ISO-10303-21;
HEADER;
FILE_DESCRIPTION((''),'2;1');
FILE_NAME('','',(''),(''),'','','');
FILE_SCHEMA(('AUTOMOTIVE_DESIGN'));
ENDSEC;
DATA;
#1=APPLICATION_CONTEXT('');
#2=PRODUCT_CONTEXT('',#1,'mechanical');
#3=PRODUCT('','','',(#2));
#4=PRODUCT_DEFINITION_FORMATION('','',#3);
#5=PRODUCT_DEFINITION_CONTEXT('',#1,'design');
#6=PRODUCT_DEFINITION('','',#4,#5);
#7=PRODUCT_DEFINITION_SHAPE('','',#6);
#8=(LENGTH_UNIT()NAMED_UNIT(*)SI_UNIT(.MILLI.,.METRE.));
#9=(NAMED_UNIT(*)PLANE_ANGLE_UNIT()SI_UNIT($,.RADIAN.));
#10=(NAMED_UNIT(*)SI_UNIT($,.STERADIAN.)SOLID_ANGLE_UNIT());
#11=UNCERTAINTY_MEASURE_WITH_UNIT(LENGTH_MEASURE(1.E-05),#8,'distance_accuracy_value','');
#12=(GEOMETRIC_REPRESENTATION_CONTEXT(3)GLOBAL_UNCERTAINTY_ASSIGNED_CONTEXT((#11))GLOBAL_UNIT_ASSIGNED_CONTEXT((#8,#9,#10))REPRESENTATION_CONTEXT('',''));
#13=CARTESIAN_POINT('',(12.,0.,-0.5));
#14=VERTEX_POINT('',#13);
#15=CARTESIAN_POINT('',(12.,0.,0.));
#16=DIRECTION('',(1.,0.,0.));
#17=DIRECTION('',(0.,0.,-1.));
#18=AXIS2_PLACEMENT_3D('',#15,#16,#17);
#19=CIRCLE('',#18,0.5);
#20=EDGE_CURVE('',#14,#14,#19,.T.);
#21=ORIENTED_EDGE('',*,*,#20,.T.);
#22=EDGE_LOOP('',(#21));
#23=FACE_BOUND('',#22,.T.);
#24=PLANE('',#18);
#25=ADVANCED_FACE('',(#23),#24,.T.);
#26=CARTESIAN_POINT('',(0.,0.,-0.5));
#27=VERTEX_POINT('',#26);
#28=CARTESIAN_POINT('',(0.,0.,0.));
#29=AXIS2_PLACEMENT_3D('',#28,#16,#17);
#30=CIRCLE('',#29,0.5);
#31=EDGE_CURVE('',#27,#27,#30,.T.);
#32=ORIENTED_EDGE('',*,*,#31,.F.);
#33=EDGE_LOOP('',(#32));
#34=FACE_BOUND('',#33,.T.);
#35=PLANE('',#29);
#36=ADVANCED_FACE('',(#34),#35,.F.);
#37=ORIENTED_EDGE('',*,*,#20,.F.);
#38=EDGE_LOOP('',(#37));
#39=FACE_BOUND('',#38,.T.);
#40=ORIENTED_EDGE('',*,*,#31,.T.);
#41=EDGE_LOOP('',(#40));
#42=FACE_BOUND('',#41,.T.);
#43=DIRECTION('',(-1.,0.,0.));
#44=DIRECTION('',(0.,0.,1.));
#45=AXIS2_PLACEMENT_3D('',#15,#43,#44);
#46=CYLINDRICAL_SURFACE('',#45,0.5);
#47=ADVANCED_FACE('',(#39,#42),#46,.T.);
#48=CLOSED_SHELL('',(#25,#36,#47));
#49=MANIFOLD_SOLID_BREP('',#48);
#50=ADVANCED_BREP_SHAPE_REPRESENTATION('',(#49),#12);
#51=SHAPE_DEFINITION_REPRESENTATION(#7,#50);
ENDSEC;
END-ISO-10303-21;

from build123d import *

# Parameters (mm, degrees)
ESBO_O1_R                = 0.5
RESSALTO_EXTRUS_O1_DEPTH = 12


with BuildPart() as part:
    # Esboço1 → Ressalto-extrusão1 (new body)
    with BuildSketch(Plane(origin=(0, 0, 0), x_dir=(0, 0, -1), z_dir=(1, 0, 0))):
        Circle(ESBO_O1_R)
    extrude(amount=RESSALTO_EXTRUS_O1_DEPTH)


solid = part.part
